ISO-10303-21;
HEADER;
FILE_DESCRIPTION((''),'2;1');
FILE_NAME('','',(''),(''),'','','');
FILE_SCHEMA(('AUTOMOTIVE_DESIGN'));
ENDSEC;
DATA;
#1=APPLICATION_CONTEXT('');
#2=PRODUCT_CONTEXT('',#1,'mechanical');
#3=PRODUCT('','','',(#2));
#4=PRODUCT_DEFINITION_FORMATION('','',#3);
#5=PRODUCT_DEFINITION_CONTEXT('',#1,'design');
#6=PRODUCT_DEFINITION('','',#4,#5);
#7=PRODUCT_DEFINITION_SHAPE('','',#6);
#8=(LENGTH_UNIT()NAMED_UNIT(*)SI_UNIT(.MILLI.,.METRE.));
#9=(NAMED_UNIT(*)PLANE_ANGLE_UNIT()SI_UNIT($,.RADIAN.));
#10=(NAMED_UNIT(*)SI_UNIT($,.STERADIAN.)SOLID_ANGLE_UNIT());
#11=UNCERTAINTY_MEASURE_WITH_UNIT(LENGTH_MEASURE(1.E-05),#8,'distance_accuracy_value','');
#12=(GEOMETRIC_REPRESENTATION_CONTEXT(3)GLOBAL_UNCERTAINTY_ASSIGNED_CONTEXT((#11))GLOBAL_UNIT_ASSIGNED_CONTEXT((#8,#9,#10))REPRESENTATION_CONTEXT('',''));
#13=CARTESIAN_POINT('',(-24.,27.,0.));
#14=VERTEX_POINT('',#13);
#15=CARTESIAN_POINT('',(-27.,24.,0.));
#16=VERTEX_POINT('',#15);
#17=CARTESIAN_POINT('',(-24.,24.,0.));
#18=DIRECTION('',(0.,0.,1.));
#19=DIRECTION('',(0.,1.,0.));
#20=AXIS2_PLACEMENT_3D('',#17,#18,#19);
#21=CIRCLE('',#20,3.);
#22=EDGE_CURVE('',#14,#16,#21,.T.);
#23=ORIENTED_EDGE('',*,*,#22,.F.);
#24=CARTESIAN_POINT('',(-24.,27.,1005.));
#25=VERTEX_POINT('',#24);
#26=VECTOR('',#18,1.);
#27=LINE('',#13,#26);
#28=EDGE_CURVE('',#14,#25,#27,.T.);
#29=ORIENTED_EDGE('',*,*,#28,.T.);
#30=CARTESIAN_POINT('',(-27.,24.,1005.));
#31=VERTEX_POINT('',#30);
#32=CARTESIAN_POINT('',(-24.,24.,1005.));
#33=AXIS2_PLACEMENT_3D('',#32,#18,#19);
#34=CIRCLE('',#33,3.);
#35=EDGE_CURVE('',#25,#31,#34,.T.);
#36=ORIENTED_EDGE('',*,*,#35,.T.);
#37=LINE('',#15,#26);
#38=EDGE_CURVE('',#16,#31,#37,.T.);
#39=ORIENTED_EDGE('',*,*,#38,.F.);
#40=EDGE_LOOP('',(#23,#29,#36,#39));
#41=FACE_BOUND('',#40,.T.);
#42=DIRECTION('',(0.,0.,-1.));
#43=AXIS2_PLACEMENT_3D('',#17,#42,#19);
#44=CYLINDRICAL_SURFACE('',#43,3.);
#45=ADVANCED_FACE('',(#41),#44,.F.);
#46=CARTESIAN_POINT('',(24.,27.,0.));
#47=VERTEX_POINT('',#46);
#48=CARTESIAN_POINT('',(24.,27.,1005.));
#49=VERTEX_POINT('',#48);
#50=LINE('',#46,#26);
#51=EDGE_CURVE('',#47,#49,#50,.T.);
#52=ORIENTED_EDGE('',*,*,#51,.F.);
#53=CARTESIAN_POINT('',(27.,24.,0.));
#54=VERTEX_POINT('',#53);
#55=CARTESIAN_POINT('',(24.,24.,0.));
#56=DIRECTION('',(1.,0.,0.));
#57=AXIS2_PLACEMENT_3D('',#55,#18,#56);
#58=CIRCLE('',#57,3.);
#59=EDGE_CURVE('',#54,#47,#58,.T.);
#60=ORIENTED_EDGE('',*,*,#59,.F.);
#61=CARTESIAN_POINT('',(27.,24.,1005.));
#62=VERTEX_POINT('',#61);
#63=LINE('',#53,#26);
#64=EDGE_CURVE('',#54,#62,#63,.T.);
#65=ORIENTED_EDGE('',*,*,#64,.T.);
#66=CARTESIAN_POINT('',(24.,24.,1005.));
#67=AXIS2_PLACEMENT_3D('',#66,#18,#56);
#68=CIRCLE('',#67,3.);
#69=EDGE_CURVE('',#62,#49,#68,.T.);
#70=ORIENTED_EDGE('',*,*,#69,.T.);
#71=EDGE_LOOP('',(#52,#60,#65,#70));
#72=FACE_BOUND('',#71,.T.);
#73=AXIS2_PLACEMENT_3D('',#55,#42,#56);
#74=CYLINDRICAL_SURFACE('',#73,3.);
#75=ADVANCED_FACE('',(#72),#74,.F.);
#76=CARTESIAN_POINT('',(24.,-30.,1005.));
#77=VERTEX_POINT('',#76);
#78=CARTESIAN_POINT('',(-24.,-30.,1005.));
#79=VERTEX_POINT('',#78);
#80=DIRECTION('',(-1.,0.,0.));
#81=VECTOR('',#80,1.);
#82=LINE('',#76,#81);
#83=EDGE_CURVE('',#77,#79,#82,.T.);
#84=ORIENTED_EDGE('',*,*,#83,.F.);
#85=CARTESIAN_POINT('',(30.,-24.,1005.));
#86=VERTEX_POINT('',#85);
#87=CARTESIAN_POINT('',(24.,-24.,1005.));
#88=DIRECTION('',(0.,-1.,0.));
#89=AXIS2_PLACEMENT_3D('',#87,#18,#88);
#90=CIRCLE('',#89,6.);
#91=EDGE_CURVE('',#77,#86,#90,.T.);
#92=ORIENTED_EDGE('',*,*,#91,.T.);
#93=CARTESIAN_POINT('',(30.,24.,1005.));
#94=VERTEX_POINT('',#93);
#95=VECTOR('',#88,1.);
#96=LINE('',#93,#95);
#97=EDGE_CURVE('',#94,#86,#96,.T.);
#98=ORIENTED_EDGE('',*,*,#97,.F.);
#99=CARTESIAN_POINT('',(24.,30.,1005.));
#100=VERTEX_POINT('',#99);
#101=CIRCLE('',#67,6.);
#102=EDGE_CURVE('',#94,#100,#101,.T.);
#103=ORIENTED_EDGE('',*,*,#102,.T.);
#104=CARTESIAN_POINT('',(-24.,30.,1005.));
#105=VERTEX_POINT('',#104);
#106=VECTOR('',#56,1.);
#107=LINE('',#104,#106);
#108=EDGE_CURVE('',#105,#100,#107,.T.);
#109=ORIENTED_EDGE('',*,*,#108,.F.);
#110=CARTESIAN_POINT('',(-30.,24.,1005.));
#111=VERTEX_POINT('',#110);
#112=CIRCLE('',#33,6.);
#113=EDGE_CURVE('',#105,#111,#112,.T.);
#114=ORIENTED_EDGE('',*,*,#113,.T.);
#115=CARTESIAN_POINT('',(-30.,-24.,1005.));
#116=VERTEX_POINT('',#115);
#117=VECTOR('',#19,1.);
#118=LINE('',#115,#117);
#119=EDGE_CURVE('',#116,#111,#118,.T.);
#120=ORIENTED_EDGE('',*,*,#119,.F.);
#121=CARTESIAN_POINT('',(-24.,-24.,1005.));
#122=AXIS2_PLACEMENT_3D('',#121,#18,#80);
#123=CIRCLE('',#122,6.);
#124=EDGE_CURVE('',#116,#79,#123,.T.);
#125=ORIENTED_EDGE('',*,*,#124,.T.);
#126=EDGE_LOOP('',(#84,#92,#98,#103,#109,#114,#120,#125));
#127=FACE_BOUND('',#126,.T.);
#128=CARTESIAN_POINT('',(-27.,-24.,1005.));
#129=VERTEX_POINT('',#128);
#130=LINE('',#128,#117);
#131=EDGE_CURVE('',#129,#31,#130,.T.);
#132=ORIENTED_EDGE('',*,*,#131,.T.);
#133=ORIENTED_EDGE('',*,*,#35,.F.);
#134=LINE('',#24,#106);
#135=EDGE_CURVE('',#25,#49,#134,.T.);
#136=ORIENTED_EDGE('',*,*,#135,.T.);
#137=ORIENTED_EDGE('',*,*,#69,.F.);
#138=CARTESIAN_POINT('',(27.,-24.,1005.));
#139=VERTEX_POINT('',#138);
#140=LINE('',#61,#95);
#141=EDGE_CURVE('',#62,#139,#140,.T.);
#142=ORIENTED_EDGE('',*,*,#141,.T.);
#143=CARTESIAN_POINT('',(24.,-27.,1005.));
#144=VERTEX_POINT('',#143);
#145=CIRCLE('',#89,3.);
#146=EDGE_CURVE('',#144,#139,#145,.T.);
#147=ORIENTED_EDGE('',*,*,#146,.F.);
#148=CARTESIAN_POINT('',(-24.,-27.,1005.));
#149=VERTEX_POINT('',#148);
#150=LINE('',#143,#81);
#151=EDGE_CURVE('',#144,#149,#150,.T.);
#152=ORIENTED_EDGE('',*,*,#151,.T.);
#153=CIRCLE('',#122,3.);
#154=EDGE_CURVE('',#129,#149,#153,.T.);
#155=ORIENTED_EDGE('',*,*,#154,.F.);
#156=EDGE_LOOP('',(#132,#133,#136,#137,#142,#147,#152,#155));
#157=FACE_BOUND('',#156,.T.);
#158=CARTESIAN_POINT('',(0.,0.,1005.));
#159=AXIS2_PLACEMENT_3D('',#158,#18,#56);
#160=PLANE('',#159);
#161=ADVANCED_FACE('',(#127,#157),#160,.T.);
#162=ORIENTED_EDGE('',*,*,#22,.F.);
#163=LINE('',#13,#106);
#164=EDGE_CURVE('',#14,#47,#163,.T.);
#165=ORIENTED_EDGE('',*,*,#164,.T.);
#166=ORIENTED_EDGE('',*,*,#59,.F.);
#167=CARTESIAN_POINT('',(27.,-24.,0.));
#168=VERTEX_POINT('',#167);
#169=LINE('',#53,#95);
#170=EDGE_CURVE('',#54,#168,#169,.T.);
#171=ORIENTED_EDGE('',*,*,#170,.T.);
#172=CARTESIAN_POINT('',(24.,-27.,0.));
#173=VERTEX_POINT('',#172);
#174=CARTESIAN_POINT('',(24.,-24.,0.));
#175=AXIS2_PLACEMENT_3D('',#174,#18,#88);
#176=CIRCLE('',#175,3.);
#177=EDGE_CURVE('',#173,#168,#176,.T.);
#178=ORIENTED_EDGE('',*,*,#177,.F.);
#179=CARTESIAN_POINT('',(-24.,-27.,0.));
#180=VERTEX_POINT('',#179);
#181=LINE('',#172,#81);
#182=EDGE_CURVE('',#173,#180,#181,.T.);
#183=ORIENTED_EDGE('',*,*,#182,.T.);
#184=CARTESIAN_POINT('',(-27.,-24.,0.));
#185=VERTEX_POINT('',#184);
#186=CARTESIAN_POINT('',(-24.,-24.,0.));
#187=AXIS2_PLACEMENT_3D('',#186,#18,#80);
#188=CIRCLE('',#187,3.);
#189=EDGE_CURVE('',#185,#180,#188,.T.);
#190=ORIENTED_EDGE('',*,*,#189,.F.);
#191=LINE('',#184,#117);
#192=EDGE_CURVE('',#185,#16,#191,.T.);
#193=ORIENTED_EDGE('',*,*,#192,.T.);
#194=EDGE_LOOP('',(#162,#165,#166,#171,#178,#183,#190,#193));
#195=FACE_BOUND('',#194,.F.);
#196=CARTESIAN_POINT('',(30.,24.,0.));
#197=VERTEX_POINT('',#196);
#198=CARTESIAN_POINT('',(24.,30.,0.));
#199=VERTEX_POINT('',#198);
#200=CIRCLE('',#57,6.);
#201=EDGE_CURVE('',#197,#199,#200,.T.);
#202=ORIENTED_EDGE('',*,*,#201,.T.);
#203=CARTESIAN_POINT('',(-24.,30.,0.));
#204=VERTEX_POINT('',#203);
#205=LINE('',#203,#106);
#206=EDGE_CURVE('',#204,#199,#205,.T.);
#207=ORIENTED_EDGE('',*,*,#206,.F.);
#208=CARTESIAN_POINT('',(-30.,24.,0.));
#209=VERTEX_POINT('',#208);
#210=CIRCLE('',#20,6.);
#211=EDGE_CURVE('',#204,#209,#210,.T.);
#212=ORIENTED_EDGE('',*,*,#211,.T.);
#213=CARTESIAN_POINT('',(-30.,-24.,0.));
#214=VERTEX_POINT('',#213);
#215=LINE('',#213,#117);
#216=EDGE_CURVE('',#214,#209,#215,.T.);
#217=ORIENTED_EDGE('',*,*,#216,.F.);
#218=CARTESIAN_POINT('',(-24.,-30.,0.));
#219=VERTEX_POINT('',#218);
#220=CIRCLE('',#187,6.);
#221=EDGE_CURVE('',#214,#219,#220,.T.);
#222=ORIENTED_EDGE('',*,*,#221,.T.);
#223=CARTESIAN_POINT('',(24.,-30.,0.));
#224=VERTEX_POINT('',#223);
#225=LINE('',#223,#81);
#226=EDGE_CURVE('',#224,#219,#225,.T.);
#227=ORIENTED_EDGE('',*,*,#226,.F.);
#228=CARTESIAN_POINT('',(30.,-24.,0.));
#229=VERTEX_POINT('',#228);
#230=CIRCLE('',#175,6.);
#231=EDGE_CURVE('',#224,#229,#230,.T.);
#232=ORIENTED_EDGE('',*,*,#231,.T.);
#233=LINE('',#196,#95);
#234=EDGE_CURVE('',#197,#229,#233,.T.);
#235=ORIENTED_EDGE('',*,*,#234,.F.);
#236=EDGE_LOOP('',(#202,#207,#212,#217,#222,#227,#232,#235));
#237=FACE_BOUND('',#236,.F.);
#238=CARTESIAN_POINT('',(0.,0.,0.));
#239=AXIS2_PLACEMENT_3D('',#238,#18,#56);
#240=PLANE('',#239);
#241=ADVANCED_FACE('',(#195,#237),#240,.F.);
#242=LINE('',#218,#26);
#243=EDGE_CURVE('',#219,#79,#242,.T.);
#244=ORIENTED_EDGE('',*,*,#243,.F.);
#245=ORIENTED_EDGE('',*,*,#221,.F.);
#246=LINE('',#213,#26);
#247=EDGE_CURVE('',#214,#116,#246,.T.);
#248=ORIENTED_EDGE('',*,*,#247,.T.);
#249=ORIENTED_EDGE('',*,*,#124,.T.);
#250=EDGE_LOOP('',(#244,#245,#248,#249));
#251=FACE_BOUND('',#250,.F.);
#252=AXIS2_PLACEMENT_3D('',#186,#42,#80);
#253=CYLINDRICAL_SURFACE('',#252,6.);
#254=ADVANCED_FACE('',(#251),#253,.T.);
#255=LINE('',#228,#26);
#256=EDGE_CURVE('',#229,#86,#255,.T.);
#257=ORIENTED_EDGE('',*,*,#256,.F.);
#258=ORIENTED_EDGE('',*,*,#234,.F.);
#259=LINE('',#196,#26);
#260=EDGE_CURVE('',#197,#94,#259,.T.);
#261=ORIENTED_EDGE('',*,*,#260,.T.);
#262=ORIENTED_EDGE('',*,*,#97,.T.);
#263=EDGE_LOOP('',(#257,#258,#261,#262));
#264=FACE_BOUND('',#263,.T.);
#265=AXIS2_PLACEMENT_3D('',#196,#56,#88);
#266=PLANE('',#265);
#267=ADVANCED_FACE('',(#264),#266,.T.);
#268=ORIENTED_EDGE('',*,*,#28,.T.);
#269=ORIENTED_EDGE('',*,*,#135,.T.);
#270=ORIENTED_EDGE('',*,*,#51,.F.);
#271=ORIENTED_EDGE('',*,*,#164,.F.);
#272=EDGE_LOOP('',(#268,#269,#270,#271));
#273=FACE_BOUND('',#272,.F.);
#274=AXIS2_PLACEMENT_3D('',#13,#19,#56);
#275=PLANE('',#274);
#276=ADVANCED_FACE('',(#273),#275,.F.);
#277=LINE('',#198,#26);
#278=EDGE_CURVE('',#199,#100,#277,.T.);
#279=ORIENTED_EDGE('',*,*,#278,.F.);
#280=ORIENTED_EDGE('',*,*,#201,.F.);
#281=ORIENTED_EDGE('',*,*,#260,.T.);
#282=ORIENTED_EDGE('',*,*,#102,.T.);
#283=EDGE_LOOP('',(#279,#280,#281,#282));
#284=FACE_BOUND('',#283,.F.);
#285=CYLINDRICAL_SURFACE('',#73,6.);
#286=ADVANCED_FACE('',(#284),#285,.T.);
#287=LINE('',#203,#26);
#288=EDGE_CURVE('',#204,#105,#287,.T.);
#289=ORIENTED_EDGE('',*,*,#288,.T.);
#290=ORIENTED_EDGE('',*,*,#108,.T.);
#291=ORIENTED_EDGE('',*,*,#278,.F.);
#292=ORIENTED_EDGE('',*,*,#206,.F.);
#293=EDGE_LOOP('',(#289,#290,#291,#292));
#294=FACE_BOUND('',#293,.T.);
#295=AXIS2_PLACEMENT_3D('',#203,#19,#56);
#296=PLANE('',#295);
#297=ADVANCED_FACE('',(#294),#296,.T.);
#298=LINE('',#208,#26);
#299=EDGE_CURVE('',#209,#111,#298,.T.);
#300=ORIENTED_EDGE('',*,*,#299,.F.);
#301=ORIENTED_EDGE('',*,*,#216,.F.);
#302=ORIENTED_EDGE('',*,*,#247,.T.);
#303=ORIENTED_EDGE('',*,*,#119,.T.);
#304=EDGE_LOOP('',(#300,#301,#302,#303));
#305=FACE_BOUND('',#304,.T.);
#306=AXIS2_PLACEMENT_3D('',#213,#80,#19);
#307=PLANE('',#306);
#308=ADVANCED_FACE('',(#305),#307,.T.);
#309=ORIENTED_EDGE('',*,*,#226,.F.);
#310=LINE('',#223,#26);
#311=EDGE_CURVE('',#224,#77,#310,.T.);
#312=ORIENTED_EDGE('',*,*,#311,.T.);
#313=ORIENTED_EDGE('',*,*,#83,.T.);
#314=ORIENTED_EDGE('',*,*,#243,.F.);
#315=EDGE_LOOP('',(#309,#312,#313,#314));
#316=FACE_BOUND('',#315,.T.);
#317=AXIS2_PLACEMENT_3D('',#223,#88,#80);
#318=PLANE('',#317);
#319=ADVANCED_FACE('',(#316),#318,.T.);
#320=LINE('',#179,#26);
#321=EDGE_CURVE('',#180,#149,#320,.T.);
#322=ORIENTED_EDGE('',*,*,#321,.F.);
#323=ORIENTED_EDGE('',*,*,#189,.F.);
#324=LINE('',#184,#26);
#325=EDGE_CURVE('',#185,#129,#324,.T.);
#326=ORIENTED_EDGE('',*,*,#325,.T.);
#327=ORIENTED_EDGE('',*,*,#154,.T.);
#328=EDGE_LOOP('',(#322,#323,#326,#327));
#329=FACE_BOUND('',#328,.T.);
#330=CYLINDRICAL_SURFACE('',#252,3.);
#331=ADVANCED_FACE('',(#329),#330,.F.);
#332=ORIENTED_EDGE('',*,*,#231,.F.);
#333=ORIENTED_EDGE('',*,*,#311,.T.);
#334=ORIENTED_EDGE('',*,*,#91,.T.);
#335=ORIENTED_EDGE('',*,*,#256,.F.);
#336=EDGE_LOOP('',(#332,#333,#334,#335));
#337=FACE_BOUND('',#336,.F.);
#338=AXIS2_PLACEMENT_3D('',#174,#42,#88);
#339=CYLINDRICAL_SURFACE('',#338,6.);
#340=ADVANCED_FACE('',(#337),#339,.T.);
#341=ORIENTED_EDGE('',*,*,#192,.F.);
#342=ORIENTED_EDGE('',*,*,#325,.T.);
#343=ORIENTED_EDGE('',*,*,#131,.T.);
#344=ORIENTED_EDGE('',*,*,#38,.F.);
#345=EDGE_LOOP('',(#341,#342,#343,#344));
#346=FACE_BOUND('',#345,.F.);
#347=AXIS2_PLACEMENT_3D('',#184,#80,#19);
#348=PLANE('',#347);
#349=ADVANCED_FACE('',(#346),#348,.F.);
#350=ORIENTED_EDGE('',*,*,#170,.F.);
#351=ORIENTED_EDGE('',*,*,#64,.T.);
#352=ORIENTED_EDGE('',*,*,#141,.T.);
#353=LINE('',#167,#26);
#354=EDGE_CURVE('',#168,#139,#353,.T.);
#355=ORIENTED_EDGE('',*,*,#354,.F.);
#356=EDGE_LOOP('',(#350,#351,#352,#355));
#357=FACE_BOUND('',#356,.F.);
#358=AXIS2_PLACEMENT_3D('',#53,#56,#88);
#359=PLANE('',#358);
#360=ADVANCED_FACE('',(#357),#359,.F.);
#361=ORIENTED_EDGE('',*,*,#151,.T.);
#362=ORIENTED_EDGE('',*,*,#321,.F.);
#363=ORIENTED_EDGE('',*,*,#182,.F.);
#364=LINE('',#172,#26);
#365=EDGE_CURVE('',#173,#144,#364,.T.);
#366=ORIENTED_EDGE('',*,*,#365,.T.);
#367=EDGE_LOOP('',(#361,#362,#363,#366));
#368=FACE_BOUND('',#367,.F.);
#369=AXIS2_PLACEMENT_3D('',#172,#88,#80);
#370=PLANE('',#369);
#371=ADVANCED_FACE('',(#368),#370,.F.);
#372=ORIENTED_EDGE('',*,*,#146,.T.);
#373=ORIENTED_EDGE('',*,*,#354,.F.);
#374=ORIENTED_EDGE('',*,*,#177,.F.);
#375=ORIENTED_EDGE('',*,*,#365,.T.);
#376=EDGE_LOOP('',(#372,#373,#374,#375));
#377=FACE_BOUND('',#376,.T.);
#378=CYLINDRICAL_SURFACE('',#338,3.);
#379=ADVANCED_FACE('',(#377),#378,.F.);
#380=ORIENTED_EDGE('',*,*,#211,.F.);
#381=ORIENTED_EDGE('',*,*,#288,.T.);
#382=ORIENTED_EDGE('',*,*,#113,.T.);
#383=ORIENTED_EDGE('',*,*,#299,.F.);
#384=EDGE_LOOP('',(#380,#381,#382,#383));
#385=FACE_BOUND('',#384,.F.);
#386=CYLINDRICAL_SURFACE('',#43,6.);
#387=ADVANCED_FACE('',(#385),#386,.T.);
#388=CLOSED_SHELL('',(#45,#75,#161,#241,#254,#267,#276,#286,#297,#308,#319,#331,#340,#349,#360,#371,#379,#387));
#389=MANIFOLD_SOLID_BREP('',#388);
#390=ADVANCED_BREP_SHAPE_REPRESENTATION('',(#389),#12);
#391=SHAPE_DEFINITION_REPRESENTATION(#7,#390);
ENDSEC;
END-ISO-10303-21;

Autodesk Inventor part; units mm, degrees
ref_plane "YZ Plane" through (0, 0, 0) normal (1, 0, 0) x (0, 1, 0)
ref_plane "Start Plane" through (0, 0, 0) normal (0, 0, 1) x (1, 0, 0)
ref_plane "End Plane" through (0, 0, 1005) normal (0, 0, 1) x (1, 0, 0)
sketch "Sketch" plane through (0, 0, 0) normal (0, 0, 1) x (1, 0, 0)
  line L0 (-30, -24) -> (-30, 24)
  line L1 (-24, 30) -> (24, 30)
  line L2 (30, 24) -> (30, -24)
  line L3 (24, -30) -> (-24, -30)
  arc A0 (-30, -24) -> (-24, -30) centre (-24, -24) ccw
  arc A1 (30, 24) -> (24, 30) centre (24, 24) ccw
  arc A2 (-24, 30) -> (-30, 24) centre (-24, 24) ccw
  arc A3 (24, -30) -> (30, -24) centre (24, -24) ccw
  arc A4 (-24, 27) -> (-27, 24) centre (-24, 24) ccw
  line L4 (-24, 27) -> (24, 27)
  arc A5 (27, 24) -> (24, 27) centre (24, 24) ccw
  line L5 (27, 24) -> (27, -24)
  arc A6 (24, -27) -> (27, -24) centre (24, -24) ccw
  line L6 (24, -27) -> (-24, -27)
  arc A7 (-27, -24) -> (-24, -27) centre (-24, -24) ccw
  line L7 (-27, -24) -> (-27, 24)
  line L8 (0, 43.7397) -> (0, -43.7397) construction
  line L9 (-43.7397, 0) -> (43.7397, 0) construction
  dimension "d7" = 6
  dimension "d9" = 60
  dimension "d11" = 60
  dimension "d12" = 3
  dimension "d15" = 30
  dimension "d16" = 30
extrude "Body" add sketch "Sketch" along normal up to surface (1005 mm away) from surface at 0
sketch "Sketch3" plane through (0, 0, 0) normal (0, 0, 1) x (1, 0, 0)
  line L0 (0, 0) -> (10, 0)
ref_plane "Work Plane3" through (0, 0, 0) normal (0, -1, 0) x (1, 0, 0)
sketch "Sketch4" plane through (0, 0, 0) normal (0, -1, 0) x (1, 0, 0)
  line L0 (-2, 0) -> (12, 0) projected
  line L1 (-2, 1005) -> (12, 1005) projected
  dimension "d18" = 1005
equation "\"d7\" = G_IR"
equation "\"d9\" = G_W"
equation "\"d11\" = G_H"
equation "\"d12\" = G_T"
equation "\"d15\" = 0.5 * d9"
equation "\"d16\" = 0.5 * d11"
equation "\"d3\" = G_L"
equation "\"G_W\" = 60"
equation "\"G_H\" = 60"
equation "\"G_T\" = 3"
equation "\"G_IR\" = 6"
equation "\"G_L\" = d18"
equation "\"G_OFFSET_START\" = 0"
equation "\"G_OFFSET_END\" = 0"
equation "\"d14\" = G_OFFSET_END + B_L"
equation "\"B_L\" = 1005"
properties part number "ISO 10799-2 - 60x60x3 - 1005" material "Steel, Mild"
